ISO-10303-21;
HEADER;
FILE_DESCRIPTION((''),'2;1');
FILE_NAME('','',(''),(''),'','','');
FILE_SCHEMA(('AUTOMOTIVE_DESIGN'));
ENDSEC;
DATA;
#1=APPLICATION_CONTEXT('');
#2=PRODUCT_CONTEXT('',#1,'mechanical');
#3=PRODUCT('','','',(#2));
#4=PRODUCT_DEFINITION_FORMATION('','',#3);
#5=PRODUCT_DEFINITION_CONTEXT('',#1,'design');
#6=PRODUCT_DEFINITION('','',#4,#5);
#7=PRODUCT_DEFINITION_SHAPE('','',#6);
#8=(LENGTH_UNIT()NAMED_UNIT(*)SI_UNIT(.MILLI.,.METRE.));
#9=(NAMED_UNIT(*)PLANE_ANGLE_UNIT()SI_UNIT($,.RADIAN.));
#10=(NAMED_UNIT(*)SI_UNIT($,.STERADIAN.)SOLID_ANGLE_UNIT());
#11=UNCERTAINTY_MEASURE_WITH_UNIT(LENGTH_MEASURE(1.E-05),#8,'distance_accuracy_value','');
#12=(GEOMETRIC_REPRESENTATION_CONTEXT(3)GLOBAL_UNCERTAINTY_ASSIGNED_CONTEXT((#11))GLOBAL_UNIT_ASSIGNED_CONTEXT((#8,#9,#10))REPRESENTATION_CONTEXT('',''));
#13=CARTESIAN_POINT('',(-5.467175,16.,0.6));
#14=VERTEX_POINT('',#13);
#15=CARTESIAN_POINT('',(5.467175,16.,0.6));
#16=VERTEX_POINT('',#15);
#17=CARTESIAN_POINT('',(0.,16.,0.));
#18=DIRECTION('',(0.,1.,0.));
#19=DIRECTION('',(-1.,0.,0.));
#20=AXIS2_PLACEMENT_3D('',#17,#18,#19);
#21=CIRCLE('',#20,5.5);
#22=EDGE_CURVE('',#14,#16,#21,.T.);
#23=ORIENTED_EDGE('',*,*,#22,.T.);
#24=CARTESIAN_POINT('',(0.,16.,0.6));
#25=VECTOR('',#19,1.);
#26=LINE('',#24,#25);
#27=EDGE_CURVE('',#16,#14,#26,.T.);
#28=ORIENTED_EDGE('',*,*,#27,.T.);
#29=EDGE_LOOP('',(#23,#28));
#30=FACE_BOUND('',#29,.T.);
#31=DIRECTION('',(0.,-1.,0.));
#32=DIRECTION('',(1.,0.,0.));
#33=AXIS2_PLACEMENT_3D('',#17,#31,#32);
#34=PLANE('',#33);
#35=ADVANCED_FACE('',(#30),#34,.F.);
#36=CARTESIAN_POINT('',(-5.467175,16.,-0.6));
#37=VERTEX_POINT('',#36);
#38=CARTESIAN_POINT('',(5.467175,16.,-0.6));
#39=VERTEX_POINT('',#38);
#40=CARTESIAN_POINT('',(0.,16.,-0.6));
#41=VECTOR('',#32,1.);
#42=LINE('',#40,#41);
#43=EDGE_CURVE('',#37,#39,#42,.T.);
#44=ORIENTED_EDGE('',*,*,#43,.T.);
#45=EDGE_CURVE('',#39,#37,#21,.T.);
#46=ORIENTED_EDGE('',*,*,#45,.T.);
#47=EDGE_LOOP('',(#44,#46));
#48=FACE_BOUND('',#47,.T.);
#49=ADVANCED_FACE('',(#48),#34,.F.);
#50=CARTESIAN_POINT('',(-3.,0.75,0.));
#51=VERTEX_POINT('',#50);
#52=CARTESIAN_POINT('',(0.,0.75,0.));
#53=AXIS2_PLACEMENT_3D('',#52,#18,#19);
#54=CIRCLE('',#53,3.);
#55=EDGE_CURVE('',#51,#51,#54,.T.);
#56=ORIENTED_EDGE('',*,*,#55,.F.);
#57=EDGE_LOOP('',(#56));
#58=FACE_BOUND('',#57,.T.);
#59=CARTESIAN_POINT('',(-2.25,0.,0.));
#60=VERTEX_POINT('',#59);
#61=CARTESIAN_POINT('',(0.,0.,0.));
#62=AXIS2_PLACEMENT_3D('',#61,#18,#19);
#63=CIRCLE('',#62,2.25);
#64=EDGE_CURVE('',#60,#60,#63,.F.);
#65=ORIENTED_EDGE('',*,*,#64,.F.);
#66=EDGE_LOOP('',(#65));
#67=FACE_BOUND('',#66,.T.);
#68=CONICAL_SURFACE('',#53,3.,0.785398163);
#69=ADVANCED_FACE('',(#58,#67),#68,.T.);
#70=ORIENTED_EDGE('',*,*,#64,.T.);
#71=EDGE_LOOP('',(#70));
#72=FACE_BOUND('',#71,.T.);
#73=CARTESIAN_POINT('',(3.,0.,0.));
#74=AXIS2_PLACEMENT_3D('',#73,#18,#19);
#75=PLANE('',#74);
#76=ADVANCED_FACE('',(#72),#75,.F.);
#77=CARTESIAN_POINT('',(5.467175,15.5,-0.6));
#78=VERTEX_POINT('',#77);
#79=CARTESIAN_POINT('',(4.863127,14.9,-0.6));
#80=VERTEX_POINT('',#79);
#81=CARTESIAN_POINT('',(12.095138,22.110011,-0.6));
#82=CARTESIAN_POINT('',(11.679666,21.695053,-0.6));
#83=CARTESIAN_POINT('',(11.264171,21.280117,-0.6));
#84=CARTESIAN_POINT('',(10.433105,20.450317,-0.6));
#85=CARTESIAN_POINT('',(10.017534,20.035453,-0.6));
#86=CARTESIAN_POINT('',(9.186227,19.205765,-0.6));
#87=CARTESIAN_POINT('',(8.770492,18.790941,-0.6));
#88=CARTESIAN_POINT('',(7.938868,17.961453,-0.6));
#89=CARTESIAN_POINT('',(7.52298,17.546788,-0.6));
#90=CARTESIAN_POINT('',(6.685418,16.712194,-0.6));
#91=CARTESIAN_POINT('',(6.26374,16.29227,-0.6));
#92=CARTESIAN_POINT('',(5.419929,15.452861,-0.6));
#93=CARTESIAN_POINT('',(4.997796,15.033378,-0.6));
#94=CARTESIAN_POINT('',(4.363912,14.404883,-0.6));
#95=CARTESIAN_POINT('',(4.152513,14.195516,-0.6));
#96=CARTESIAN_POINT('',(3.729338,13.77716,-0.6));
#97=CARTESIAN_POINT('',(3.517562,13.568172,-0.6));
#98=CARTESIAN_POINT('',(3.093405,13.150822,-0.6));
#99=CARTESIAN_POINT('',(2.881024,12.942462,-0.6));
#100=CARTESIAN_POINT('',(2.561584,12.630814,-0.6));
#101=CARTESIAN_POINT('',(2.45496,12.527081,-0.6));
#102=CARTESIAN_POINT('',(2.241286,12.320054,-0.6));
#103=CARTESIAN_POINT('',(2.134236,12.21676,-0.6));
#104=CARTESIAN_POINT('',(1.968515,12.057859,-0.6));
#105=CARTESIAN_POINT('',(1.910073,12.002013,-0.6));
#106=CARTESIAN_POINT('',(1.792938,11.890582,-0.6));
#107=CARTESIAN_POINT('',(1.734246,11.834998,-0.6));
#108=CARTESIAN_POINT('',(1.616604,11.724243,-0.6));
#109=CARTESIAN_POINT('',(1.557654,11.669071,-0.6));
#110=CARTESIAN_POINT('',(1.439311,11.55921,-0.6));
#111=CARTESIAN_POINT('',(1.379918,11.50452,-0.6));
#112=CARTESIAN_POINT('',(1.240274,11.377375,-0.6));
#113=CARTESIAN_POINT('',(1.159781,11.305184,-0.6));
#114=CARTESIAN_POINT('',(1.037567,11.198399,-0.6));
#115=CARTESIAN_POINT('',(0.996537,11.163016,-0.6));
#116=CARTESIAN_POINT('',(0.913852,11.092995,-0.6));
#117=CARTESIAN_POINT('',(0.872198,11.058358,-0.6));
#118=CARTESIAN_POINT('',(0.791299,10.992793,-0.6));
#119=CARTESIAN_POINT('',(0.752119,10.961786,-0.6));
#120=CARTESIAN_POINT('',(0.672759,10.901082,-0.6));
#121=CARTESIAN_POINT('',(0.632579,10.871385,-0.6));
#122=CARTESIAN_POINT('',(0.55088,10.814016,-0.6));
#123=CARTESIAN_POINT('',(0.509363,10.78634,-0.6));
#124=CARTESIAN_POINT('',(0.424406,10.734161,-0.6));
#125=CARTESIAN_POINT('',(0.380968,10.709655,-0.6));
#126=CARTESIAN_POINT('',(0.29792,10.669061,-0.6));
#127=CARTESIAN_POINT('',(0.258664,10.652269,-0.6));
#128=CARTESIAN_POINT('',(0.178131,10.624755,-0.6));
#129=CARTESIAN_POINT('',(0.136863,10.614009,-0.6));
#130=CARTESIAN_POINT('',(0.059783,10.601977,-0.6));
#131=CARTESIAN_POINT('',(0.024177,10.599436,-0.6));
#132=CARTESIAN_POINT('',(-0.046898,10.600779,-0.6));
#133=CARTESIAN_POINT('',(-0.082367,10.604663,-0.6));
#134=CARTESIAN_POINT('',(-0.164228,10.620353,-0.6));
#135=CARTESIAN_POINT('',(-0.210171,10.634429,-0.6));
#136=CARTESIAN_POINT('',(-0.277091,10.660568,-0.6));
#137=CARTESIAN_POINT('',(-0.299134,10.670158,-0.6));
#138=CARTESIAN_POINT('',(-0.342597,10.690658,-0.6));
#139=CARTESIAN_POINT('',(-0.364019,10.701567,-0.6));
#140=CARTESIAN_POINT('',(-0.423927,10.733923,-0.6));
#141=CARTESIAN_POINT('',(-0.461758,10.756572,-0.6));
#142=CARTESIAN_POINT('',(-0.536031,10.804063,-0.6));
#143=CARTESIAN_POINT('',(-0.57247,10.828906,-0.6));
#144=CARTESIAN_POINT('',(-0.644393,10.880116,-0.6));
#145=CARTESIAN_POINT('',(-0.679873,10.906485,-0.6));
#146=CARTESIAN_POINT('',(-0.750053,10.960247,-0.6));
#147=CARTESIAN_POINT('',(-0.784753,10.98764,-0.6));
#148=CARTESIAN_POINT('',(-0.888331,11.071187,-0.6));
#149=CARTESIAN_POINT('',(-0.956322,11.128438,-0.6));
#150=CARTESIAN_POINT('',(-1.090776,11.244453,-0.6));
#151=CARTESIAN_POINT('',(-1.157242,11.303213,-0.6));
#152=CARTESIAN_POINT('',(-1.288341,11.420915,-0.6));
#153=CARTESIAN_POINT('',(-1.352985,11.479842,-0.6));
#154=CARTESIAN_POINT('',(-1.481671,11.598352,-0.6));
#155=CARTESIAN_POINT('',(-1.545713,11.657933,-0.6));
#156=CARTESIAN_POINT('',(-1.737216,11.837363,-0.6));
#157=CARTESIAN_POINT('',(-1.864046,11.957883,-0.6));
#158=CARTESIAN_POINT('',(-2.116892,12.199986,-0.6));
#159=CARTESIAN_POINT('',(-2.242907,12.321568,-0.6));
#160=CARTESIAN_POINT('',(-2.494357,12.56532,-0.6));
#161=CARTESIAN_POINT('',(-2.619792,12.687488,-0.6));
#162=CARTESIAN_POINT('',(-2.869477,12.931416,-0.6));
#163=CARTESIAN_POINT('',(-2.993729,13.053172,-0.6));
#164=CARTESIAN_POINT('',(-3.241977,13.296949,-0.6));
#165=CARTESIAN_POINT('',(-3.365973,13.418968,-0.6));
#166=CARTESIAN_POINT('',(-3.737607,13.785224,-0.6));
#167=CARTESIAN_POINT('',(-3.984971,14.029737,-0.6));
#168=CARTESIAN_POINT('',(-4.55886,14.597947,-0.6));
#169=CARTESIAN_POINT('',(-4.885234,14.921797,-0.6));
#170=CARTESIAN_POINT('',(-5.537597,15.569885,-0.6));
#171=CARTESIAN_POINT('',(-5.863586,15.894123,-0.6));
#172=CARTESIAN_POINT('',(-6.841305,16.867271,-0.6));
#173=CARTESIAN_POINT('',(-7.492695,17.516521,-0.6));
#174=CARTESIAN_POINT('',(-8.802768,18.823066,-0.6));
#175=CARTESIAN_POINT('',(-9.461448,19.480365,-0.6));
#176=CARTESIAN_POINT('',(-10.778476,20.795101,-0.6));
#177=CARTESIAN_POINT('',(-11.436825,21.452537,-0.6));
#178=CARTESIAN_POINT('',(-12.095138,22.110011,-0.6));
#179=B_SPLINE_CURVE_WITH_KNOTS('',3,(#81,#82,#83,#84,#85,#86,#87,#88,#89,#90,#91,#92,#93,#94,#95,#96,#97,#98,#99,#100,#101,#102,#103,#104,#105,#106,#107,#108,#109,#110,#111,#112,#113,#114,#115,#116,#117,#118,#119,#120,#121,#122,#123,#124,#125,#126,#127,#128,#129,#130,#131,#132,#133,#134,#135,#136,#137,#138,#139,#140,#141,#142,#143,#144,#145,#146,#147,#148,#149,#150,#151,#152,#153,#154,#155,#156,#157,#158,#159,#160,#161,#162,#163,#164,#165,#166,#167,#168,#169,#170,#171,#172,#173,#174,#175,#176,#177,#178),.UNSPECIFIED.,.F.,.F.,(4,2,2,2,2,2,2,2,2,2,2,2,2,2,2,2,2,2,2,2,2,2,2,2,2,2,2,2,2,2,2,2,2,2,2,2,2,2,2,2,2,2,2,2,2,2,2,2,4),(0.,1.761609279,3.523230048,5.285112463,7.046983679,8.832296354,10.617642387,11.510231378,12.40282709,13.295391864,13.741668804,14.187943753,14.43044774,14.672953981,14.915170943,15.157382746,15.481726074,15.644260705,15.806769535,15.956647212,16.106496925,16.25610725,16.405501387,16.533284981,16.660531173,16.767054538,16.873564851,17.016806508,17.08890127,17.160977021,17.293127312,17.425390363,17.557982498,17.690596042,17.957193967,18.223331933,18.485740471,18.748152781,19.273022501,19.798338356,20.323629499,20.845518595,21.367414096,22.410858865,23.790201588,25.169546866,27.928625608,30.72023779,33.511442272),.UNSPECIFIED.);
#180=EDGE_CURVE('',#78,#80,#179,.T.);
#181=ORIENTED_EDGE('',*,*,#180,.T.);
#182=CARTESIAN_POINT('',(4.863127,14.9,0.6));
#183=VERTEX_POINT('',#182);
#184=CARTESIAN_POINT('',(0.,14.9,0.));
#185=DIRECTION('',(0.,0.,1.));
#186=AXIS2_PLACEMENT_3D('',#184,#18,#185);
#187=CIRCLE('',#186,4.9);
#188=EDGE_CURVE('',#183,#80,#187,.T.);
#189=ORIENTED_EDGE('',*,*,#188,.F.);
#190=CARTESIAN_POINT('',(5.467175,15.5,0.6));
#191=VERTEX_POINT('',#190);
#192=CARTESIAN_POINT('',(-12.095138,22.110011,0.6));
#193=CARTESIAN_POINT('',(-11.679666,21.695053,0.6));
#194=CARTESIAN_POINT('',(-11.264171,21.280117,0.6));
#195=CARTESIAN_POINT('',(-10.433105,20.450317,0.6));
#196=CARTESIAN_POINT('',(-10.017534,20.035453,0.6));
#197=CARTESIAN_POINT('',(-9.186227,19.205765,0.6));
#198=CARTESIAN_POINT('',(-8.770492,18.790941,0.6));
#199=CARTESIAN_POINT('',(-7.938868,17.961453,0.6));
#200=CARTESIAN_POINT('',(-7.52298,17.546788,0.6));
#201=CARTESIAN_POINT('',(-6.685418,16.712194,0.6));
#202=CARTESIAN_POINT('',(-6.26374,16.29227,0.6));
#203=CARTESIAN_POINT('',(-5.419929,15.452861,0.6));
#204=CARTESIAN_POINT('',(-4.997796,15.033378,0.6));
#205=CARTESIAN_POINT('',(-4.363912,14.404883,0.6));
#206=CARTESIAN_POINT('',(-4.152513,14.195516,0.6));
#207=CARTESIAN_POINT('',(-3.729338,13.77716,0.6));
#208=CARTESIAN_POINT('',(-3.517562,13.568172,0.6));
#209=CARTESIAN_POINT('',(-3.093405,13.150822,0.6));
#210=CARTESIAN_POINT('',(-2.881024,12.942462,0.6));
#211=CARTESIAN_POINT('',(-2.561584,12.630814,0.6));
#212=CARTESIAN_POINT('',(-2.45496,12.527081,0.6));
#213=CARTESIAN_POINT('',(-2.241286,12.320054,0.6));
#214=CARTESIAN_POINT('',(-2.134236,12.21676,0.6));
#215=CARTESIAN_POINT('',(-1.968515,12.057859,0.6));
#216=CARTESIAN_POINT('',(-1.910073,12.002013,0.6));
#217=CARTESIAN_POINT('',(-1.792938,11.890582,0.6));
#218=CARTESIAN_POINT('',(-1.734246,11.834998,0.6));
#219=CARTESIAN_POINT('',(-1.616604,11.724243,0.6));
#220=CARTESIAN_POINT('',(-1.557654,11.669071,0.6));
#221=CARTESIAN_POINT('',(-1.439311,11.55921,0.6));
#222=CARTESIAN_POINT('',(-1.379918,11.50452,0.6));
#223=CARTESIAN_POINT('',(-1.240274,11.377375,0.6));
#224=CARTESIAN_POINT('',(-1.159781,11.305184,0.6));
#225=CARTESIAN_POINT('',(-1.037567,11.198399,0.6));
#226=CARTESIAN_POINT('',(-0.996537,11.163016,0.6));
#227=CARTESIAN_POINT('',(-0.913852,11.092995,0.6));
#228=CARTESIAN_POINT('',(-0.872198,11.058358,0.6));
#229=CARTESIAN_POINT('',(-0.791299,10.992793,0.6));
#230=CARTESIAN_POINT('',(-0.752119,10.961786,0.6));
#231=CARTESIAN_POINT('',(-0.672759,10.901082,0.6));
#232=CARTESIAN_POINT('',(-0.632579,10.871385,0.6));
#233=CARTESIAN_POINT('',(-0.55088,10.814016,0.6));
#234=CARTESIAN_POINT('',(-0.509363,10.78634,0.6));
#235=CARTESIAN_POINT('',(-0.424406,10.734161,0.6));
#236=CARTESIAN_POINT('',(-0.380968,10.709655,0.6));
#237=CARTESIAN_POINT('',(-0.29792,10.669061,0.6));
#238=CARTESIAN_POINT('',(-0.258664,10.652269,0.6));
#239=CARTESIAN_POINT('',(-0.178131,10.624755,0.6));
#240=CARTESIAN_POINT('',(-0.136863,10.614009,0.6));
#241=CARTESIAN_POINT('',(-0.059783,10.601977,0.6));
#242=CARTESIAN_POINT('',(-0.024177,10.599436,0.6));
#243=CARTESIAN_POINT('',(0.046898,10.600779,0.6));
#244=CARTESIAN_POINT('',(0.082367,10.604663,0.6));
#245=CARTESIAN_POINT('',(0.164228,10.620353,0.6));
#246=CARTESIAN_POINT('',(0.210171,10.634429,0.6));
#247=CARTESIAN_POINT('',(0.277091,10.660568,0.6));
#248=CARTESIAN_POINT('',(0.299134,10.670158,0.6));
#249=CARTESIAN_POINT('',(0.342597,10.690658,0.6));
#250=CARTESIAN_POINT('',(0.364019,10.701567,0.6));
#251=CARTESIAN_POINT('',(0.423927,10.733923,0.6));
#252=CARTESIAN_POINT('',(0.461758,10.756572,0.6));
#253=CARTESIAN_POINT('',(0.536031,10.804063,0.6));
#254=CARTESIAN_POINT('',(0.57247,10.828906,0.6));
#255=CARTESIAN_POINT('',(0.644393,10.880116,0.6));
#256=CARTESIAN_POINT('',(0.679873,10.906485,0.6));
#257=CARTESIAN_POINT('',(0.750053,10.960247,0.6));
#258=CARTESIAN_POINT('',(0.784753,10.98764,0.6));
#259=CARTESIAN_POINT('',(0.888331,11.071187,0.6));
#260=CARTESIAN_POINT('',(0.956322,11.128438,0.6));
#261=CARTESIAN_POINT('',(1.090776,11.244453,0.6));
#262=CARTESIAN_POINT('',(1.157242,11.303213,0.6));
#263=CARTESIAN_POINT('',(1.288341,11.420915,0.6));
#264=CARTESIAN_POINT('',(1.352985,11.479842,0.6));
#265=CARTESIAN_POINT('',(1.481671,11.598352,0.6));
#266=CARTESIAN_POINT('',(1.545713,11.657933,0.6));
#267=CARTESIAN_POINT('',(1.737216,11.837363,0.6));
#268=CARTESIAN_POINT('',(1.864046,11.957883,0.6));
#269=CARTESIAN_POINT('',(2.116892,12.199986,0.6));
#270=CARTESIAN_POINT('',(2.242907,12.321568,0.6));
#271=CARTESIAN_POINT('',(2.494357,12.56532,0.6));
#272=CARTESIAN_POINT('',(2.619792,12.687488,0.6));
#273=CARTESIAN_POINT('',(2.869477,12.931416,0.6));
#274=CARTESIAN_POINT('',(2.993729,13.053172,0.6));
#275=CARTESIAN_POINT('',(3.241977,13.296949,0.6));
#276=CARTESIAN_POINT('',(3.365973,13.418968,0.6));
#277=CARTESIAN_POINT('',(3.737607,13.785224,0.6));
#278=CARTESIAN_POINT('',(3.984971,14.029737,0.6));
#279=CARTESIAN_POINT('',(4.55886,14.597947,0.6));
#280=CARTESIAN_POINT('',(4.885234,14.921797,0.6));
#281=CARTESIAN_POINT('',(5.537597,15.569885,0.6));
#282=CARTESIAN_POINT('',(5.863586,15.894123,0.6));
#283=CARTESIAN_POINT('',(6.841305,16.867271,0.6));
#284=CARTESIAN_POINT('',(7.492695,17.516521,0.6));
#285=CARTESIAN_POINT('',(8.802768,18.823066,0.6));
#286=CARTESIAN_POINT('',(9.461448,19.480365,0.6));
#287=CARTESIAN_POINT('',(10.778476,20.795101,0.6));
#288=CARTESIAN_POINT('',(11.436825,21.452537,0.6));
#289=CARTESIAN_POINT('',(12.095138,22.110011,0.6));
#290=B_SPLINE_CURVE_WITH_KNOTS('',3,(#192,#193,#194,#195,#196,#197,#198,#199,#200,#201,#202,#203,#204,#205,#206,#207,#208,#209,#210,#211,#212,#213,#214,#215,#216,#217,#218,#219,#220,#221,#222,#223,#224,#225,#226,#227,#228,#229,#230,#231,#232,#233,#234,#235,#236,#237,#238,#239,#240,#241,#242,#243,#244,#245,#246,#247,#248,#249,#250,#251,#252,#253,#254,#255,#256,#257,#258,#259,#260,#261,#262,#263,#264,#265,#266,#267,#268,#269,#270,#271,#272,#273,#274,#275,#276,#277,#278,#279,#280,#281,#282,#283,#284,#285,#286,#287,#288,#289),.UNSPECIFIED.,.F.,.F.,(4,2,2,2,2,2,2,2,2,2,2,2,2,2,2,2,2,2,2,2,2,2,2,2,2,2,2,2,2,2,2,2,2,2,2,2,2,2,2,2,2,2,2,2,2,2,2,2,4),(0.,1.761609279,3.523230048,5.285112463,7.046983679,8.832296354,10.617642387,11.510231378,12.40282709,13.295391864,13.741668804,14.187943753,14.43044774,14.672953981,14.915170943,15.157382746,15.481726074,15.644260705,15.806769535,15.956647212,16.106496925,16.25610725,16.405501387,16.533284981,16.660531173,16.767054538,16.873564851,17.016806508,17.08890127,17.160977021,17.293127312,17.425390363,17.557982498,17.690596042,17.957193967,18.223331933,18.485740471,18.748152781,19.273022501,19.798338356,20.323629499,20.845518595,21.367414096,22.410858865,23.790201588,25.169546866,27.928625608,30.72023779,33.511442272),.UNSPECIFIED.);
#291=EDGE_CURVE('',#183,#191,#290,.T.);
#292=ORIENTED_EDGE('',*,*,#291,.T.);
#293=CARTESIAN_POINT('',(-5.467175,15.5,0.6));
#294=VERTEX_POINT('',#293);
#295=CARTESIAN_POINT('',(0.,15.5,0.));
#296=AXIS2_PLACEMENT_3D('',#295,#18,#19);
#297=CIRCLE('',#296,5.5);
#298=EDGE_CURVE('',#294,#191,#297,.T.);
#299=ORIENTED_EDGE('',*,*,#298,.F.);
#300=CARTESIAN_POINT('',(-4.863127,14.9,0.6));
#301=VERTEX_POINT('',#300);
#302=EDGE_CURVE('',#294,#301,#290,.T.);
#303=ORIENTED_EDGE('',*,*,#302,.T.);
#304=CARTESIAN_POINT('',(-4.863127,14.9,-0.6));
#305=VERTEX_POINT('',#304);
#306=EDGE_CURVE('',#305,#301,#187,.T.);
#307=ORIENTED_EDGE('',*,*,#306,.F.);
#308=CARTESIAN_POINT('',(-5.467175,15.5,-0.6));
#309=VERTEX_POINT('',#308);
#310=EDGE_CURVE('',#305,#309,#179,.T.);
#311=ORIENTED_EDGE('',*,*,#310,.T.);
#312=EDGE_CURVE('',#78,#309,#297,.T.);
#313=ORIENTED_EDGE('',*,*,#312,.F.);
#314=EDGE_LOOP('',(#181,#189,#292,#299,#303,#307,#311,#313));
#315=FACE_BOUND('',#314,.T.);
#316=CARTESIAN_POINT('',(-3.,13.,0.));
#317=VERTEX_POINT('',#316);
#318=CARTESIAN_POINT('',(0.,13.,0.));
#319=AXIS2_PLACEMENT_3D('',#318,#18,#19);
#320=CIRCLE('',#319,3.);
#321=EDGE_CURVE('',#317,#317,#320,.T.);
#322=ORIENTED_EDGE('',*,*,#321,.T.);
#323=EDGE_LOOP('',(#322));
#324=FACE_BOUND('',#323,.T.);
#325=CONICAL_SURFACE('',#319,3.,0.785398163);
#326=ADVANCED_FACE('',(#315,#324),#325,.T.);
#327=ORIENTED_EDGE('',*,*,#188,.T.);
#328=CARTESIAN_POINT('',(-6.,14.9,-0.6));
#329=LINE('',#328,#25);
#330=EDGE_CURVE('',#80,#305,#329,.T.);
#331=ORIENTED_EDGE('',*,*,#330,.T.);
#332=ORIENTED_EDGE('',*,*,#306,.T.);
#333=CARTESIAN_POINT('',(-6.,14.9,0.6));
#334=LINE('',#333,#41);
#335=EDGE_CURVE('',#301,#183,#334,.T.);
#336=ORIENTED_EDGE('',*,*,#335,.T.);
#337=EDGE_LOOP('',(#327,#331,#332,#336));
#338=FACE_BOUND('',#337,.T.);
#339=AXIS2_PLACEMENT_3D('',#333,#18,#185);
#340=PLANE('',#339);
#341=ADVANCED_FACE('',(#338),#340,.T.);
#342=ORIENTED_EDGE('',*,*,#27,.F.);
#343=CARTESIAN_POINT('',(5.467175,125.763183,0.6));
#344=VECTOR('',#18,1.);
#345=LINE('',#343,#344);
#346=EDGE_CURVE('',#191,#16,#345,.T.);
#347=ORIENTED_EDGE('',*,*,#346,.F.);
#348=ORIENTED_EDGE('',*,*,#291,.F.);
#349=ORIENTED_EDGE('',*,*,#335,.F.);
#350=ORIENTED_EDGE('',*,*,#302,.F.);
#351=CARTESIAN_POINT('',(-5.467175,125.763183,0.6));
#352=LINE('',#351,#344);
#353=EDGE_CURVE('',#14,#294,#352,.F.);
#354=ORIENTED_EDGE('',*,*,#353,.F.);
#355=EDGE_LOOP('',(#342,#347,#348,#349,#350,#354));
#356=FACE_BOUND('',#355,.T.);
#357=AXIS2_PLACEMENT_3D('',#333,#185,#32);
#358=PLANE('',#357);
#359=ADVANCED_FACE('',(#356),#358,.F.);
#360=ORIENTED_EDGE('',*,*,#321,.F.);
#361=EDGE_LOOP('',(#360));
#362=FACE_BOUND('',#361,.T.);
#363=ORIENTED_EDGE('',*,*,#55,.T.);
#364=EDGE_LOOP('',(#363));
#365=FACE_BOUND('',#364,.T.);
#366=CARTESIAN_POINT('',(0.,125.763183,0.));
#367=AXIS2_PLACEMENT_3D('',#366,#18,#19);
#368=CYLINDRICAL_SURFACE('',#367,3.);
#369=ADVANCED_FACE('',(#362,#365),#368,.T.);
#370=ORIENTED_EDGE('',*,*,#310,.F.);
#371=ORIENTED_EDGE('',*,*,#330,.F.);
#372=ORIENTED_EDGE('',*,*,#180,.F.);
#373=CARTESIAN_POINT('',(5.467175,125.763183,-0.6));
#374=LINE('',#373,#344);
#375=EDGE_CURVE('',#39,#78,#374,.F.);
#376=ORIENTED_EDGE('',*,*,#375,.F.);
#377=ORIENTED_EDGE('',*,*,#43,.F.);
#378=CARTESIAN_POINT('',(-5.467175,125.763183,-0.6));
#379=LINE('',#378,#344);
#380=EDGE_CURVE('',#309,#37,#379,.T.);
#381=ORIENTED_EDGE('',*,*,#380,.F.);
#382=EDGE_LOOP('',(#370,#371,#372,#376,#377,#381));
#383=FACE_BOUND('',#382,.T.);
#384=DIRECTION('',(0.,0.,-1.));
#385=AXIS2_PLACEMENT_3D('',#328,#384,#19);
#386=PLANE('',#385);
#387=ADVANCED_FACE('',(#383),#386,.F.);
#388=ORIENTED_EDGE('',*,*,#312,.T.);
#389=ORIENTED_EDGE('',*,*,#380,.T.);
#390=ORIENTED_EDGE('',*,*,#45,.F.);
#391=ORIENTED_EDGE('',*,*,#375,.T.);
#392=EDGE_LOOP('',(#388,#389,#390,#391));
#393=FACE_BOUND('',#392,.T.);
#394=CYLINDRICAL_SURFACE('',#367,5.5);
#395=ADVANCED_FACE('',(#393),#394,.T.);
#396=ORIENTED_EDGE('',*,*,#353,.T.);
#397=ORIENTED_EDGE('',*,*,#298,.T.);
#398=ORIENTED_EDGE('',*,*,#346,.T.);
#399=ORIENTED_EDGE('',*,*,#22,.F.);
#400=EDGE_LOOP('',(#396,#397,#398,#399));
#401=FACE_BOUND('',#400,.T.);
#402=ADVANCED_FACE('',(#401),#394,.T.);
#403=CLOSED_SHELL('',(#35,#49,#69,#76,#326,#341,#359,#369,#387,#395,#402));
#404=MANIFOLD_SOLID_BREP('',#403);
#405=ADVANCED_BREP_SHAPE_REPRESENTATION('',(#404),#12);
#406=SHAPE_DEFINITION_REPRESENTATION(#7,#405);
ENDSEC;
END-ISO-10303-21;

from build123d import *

# Parameters (mm, degrees)
SKETCH_13_W         = 12
SKETCH_13_H         = 1.2
CUT_EXTRUDE_9_DEPTH = 1.1
CHAMFER_1_SIZE      = 0.75


with BuildPart() as part:
    # Эскиз1 → Повернуть1 (revolve)
    with BuildSketch(Plane.XY):
        Polygon((0, 16), (0, 0), (3, 0), (3, 13), (5.5, 15.5), (5.5, 16), align=None)
    revolve(axis=Axis((0, 125.763182898, 0), (0, -1, 0)))

    # Эскиз13 → Вырез-Вытянуть9 (cut)
    with BuildSketch(Plane(origin=(0, 16, 0), x_dir=(-1, 0, 0), z_dir=(0, 1, 0))):
        Rectangle(SKETCH_13_W, SKETCH_13_H)
    extrude(amount=-CUT_EXTRUDE_9_DEPTH, mode=Mode.SUBTRACT)

    # Фаска1
    chamfer_1_edges = [part.edges().sort_by_distance(p)[0] for p in [
        (-3, 0, 0),
    ]]
    chamfer(chamfer_1_edges, length=CHAMFER_1_SIZE)


solid = part.part
